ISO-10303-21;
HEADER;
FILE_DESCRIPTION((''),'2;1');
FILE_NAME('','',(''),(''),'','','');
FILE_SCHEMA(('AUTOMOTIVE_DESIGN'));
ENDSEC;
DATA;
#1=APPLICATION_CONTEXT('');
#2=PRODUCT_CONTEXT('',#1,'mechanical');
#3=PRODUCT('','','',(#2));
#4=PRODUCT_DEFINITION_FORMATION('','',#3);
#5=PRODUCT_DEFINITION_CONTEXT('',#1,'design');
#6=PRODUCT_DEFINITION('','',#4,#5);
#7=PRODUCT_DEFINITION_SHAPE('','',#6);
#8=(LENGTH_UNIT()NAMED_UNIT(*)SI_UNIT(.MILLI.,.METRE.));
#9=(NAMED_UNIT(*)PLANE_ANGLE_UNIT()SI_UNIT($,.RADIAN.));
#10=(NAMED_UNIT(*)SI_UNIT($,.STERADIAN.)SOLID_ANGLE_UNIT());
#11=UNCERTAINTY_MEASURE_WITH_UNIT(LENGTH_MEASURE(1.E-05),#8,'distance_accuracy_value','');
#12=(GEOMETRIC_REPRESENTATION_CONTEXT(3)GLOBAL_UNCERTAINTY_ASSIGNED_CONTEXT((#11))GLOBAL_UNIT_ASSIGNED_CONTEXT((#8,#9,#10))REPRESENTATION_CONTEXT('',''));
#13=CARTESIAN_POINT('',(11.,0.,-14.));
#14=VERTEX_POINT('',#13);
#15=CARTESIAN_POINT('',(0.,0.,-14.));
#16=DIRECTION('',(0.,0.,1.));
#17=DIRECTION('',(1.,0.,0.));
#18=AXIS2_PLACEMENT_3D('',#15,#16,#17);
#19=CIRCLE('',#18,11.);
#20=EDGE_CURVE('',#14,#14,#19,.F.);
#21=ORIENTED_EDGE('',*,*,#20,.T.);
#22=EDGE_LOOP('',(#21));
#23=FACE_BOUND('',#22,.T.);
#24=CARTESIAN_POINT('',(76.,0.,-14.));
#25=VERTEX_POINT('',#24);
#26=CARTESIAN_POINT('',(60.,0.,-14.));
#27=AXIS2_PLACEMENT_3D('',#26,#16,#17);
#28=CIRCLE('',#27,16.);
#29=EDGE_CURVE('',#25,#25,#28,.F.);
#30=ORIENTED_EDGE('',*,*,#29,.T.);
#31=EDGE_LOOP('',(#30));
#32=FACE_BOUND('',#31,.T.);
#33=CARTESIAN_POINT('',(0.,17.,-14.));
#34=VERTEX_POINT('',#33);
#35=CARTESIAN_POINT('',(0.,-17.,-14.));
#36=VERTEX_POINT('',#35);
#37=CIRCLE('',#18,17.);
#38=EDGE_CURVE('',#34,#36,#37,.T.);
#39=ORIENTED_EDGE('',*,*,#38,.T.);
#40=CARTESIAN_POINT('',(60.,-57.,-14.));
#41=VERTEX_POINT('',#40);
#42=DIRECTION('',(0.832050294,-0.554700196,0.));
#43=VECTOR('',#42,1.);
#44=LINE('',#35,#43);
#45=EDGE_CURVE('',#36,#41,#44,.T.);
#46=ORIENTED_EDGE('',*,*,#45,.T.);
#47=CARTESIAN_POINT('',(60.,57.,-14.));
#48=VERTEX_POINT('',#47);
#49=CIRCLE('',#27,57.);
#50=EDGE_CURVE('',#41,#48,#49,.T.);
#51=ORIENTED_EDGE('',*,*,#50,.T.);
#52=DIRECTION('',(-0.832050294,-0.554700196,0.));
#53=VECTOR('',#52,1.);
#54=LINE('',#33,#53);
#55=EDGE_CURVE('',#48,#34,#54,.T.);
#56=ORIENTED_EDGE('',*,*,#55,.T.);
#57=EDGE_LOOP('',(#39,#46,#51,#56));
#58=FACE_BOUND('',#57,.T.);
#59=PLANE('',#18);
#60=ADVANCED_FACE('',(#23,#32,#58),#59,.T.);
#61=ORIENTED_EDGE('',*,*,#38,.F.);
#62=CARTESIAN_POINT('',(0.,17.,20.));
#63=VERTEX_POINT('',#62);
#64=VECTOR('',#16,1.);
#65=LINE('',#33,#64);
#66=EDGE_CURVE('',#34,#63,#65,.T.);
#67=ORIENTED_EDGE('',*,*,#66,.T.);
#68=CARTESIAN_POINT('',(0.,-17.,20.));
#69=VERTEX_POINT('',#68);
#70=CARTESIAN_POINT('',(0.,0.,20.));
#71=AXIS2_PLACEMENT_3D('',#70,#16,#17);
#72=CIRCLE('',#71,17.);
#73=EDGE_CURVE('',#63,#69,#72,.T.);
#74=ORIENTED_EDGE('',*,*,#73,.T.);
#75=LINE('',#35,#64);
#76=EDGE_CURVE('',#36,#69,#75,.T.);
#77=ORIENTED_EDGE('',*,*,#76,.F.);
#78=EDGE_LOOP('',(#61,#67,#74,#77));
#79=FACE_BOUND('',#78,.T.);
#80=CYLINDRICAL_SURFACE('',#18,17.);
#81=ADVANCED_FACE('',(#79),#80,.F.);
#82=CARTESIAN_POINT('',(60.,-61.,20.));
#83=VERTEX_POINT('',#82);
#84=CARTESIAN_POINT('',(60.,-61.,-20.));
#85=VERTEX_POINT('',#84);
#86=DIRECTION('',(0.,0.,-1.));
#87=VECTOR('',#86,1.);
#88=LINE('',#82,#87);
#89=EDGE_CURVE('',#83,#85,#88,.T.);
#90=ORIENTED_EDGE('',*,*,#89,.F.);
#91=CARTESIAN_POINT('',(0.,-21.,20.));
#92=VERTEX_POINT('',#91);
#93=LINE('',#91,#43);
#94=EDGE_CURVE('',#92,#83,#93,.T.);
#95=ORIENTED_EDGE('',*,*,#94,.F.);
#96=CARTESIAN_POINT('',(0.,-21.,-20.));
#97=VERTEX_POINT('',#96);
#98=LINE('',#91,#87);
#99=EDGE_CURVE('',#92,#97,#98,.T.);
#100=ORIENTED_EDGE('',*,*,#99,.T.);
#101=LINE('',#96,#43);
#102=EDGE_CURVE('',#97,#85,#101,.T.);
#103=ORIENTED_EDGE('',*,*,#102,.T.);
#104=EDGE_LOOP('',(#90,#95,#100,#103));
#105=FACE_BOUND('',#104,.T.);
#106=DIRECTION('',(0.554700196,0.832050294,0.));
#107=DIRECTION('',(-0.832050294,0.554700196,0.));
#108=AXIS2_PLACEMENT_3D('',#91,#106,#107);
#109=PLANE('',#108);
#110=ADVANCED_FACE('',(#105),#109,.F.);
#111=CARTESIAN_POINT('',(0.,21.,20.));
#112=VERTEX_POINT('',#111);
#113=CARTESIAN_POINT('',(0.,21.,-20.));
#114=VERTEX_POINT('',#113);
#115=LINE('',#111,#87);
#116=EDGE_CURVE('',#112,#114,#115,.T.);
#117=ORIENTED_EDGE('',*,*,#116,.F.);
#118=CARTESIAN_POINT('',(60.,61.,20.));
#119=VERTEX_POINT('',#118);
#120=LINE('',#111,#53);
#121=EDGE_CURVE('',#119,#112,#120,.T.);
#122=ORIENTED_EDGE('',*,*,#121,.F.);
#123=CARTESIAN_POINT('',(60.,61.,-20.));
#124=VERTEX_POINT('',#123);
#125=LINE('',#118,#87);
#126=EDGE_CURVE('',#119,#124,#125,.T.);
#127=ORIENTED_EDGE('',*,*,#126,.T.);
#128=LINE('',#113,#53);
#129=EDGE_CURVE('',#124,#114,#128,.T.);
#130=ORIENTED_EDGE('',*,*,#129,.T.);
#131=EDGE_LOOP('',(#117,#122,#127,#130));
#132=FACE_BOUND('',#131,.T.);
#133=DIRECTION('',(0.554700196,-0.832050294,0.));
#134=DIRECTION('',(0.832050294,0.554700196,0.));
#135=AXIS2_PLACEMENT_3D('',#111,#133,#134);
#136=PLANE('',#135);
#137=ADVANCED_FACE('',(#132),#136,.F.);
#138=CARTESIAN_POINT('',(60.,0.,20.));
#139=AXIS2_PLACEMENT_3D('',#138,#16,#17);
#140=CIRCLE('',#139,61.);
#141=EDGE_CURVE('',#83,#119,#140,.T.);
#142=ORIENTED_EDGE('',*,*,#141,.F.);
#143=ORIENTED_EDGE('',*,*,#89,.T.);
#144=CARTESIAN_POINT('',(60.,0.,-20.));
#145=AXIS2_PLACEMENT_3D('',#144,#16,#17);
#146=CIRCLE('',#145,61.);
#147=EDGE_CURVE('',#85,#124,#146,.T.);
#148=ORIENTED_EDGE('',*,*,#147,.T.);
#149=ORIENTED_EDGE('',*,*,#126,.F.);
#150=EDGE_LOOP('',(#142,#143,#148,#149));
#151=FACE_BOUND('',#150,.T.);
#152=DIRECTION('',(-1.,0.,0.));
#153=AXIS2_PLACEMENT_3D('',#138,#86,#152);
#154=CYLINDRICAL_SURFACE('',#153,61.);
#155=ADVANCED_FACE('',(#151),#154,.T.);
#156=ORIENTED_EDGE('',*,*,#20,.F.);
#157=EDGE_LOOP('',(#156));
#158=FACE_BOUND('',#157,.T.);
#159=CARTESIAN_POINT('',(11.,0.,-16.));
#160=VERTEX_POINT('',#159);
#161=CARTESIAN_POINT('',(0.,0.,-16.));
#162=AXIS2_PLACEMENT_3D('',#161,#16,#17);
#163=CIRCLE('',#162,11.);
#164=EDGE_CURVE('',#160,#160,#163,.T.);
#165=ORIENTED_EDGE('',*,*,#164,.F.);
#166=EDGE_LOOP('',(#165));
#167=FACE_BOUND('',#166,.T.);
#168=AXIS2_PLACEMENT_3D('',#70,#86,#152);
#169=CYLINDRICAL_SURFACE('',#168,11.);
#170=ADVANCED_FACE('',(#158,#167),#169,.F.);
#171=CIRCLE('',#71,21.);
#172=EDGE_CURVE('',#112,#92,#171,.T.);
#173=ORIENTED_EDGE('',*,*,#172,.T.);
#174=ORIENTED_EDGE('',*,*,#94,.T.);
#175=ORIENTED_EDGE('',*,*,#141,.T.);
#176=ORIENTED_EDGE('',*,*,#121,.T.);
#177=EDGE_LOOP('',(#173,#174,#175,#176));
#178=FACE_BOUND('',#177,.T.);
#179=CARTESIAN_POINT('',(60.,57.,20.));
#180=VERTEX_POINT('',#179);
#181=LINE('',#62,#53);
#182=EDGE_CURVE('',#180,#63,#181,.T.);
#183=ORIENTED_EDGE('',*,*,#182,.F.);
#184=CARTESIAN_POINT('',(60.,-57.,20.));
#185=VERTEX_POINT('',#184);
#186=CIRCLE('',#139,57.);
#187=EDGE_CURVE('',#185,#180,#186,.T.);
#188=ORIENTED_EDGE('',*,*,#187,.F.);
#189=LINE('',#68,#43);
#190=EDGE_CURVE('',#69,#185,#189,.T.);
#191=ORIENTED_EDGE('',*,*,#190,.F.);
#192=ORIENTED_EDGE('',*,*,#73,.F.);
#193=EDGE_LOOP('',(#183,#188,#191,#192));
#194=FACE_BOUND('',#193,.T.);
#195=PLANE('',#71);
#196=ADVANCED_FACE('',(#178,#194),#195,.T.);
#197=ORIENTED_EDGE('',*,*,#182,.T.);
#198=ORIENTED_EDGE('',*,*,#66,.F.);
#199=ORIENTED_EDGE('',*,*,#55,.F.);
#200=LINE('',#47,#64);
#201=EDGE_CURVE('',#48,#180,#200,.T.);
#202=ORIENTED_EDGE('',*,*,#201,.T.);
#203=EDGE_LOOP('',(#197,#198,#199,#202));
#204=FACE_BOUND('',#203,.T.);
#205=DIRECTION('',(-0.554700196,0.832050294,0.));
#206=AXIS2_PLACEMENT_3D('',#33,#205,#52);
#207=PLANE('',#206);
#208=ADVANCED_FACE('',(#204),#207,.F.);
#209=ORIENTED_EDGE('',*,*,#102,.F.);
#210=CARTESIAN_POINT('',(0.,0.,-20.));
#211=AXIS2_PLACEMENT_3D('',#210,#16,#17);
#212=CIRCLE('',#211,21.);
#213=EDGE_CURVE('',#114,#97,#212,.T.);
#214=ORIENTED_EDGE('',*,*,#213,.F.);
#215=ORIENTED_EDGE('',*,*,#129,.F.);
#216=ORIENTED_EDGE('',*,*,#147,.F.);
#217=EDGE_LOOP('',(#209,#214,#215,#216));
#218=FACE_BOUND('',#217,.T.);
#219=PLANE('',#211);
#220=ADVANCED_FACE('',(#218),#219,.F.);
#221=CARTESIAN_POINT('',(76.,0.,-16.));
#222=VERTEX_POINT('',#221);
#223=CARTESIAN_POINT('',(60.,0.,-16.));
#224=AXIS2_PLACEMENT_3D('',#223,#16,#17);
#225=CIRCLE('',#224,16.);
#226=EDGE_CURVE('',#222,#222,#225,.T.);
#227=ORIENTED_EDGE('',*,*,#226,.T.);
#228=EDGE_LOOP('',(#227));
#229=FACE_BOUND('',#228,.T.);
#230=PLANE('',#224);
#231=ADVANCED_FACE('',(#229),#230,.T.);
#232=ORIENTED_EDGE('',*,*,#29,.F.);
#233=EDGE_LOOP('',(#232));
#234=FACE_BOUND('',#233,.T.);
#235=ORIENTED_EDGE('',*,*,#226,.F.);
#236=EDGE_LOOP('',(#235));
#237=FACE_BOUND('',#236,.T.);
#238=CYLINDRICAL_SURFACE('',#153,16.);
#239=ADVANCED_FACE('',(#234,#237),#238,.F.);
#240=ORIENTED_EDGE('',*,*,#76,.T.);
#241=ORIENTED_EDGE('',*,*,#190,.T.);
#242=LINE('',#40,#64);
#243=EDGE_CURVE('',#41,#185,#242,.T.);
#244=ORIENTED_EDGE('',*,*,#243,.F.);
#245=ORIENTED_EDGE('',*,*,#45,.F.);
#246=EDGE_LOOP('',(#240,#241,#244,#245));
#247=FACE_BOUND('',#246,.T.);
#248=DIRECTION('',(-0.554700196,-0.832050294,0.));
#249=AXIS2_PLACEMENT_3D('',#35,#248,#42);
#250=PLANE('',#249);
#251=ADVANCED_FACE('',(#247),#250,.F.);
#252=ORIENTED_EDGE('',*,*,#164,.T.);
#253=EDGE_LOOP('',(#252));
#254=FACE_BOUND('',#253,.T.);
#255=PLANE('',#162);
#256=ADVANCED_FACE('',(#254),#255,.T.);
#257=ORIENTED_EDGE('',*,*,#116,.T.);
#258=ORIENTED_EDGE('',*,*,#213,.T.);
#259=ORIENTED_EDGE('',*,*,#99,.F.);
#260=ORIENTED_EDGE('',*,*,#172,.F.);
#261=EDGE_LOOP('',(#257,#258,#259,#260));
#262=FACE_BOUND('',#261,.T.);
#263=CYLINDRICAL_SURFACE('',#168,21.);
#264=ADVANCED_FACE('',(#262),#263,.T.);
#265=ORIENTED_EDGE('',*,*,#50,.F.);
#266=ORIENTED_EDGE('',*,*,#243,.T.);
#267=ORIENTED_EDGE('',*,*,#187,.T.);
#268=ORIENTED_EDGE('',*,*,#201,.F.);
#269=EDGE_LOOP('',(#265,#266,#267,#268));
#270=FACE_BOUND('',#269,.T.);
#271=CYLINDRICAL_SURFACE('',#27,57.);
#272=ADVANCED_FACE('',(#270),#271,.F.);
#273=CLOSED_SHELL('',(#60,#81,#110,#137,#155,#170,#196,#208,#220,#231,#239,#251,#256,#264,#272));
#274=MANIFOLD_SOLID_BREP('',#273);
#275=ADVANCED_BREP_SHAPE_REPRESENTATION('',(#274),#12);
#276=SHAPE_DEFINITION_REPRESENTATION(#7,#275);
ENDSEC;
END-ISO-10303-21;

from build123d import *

# Parameters (mm, degrees)
BOSS_EXTRU_1_DEPTH           = 20
ENL_V_MAT_EXTRU_1_DEPTH      = 34
ENL_V_MAT_EXTRU_2_DEPTH      = 140.70683591
ENL_V_MAT_EXTRU_2_DEPTH_BACK = 2
ESQUISSE3_R                  = 11
ESQUISSE3_R_2                = 16


with BuildPart() as part:
    # Esquisse1 → Boss.-Extru.1 (new, symmetric)
    with BuildSketch(Plane.XY):
        with BuildLine():
            Line((0, 21), (60, 61))
            ThreePointArc((60, 61), (121, 0), (60, -61))
            Line((60, -61), (0, -21))
            ThreePointArc((0, -21), (-21, 0), (0, 21))
        make_face()
    extrude(amount=BOSS_EXTRU_1_DEPTH, both=True)

    # Esquisse2 → Enlèv. mat.-Extru.1 (cut)
    with BuildSketch(Plane.XY.offset(20)):
        with BuildLine():
            Line((0, 17), (60, 57))
            ThreePointArc((60, 57), (117, 0), (60, -57))
            Line((60, -57), (0, -17))
            ThreePointArc((0, -17), (-17, 0), (0, 17))
        make_face()
    extrude(amount=-ENL_V_MAT_EXTRU_1_DEPTH, mode=Mode.SUBTRACT)

    # Esquisse3 → Enlèv. mat.-Extru.2 (cut, two sides: drawn at the far end of the back side and taken through both)
    with BuildSketch(Plane.XY.offset(-14).offset(-ENL_V_MAT_EXTRU_2_DEPTH_BACK)):
        Circle(ESQUISSE3_R)
        with Locations((60, 0)):
            Circle(ESQUISSE3_R_2)
    extrude(amount=ENL_V_MAT_EXTRU_2_DEPTH + ENL_V_MAT_EXTRU_2_DEPTH_BACK, mode=Mode.SUBTRACT)


solid = part.part
